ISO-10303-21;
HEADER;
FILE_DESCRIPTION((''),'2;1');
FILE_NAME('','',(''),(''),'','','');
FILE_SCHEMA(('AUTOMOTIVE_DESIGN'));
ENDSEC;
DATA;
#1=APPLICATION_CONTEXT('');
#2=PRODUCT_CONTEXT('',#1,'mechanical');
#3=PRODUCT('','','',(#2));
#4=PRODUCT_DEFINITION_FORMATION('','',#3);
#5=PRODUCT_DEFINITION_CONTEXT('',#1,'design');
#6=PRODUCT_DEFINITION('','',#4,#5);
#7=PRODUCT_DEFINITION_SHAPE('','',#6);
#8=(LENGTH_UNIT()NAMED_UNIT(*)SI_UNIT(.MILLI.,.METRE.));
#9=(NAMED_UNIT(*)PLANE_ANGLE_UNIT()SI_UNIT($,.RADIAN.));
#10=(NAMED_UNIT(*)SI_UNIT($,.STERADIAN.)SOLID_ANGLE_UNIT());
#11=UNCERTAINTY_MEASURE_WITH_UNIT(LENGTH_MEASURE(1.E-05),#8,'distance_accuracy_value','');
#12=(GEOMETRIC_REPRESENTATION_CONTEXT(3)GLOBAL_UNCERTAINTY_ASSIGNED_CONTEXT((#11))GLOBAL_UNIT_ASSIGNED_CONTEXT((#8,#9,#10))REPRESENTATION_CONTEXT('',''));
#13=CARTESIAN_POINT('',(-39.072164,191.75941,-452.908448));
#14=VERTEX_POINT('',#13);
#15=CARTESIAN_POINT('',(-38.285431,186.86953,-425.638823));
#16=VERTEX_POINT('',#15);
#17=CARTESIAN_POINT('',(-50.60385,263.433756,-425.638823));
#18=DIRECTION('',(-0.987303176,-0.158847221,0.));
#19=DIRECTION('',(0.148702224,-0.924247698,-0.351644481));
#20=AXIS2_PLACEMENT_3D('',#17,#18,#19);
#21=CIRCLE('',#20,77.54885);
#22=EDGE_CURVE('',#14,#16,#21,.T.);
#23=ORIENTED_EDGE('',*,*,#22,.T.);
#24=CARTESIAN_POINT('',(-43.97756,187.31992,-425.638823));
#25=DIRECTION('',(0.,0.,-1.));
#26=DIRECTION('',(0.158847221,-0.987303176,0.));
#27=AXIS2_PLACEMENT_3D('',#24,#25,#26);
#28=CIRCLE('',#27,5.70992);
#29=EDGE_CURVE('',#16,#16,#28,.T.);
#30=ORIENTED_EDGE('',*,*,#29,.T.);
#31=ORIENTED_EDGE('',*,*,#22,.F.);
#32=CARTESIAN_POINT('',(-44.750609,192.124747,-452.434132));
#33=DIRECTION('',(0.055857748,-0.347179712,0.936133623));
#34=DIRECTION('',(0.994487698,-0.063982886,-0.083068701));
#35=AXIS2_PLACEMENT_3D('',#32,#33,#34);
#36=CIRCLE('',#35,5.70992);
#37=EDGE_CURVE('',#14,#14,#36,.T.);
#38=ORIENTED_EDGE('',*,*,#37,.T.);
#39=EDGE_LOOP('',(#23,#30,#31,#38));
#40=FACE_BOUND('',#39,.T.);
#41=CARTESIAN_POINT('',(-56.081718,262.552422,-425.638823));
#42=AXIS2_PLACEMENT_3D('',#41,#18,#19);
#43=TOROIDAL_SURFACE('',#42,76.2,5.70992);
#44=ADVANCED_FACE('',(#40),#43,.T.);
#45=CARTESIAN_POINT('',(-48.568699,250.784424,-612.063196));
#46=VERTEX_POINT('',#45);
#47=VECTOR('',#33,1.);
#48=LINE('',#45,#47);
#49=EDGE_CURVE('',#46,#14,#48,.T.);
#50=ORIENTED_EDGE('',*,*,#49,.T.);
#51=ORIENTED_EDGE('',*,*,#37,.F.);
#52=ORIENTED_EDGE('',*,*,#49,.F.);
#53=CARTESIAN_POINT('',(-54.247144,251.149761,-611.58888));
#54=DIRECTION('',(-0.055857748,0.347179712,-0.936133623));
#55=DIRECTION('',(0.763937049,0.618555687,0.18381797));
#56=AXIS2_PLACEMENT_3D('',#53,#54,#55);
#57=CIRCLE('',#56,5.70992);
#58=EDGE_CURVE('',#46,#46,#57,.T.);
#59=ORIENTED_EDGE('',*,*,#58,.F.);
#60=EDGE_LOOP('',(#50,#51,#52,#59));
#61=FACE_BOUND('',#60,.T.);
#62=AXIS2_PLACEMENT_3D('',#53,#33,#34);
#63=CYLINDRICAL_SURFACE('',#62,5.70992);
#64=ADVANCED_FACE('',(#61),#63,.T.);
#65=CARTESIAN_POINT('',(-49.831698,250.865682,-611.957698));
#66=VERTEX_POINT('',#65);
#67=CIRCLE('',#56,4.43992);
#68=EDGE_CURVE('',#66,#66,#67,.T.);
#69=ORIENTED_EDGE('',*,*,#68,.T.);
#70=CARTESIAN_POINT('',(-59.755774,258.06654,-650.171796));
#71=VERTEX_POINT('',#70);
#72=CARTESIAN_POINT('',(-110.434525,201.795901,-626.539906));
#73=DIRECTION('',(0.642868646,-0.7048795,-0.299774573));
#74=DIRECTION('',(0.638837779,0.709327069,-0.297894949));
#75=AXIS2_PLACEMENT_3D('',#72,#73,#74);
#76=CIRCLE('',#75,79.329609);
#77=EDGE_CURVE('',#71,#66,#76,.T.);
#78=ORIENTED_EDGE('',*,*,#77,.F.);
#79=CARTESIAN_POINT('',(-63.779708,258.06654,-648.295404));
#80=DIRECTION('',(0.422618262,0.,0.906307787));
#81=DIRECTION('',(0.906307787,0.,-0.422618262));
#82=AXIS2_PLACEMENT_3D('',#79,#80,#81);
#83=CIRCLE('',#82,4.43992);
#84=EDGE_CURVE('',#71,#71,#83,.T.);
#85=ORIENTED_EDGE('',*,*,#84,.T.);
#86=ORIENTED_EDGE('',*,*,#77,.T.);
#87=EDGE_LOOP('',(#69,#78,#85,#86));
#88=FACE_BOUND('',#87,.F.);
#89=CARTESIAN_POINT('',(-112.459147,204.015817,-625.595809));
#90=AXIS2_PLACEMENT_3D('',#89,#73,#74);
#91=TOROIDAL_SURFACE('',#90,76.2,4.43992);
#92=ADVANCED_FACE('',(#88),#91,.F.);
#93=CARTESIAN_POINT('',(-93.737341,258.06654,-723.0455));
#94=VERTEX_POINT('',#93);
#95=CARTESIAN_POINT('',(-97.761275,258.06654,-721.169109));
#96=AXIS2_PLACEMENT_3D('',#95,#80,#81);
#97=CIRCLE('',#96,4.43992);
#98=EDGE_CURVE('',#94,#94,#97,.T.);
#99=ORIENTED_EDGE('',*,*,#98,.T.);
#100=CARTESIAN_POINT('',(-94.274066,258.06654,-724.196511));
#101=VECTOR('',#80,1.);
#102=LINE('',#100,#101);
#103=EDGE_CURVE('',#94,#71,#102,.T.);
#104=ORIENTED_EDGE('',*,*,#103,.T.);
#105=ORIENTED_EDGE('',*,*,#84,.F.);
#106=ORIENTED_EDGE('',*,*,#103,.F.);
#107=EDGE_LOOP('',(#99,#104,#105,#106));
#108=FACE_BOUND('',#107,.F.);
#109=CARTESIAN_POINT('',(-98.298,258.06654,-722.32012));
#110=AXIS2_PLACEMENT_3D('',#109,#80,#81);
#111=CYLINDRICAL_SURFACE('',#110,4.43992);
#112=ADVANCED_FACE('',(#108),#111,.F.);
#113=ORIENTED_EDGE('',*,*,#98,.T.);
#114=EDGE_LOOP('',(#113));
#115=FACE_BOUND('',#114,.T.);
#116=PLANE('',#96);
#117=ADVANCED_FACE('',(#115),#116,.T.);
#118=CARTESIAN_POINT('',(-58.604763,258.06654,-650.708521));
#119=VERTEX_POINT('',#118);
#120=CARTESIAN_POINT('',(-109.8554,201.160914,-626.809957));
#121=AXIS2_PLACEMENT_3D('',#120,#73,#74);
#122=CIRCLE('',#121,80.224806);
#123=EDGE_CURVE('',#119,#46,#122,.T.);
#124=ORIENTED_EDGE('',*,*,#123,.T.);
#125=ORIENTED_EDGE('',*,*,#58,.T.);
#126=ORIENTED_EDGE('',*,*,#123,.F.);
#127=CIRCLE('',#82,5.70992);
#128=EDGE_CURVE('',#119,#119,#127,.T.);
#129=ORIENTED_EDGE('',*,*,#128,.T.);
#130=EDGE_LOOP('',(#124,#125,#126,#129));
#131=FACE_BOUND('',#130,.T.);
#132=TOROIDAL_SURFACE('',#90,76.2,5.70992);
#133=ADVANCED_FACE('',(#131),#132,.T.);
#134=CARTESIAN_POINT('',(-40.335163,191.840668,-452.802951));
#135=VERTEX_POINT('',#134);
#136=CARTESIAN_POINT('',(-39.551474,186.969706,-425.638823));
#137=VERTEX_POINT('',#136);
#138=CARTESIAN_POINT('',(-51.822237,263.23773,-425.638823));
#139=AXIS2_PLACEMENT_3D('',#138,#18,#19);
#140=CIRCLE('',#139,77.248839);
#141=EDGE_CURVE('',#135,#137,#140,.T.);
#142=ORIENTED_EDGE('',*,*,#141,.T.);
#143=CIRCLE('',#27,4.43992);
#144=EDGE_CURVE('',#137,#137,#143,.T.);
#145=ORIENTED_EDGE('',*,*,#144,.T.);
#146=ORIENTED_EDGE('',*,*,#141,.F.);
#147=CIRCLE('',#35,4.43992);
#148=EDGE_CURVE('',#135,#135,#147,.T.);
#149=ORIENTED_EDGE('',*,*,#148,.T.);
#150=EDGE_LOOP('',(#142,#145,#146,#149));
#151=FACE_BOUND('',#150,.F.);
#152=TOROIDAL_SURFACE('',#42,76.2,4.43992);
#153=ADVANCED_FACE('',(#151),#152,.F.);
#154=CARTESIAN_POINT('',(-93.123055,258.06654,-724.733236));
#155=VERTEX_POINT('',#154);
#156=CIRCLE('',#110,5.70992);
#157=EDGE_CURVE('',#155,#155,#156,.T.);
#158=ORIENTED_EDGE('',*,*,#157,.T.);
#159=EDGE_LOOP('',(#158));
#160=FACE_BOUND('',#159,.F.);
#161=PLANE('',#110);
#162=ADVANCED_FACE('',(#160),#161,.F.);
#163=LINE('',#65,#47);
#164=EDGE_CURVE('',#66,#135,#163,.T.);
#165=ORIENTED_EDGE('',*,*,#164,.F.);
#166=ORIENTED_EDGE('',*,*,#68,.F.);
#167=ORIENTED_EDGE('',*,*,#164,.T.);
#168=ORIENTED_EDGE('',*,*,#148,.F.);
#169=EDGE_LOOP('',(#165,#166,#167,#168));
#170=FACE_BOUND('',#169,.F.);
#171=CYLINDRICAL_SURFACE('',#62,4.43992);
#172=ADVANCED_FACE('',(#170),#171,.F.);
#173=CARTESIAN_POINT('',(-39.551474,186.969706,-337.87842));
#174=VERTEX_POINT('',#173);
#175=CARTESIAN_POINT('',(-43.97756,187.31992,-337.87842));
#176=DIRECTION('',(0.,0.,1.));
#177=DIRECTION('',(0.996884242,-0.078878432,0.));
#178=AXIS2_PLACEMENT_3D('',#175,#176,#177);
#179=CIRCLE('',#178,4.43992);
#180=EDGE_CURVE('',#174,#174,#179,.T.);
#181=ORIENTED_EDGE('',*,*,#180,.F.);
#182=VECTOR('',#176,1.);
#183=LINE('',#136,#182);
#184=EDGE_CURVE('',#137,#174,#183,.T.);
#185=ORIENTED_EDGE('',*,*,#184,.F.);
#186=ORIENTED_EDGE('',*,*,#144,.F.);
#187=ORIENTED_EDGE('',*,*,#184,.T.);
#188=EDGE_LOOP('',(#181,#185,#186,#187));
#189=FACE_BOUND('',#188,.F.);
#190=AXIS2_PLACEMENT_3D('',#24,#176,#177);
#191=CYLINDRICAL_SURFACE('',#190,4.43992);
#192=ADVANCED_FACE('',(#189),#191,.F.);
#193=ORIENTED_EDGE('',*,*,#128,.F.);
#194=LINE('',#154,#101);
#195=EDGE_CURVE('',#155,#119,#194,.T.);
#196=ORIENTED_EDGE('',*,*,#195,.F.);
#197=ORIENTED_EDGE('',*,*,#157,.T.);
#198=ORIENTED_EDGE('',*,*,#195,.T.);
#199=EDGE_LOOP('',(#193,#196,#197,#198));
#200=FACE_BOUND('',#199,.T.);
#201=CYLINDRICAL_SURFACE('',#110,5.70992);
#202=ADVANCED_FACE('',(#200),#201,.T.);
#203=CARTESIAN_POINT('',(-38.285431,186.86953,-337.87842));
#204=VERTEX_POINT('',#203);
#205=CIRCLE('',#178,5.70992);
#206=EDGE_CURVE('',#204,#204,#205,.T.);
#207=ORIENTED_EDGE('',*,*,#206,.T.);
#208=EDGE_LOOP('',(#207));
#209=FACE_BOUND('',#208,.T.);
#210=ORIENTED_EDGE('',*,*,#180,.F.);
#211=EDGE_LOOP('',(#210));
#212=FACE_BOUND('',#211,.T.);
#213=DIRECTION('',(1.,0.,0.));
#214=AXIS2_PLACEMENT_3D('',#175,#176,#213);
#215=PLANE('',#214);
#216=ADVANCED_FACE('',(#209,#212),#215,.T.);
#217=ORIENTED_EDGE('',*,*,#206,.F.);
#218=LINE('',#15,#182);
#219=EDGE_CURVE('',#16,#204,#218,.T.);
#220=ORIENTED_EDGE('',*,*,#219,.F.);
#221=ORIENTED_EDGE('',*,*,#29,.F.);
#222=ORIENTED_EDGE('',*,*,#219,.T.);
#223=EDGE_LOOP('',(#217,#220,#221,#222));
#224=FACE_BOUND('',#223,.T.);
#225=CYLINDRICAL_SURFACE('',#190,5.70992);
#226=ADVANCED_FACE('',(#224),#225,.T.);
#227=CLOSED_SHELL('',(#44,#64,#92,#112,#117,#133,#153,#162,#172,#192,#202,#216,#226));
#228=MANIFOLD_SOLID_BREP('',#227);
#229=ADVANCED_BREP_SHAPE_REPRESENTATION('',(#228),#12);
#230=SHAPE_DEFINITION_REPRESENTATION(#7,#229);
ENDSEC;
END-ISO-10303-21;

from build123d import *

# Parameters (mm, degrees)
F9_R  = 5.70992
F19_T = -1.27


with BuildPart() as f18:
    # F18: sweep along a path in F17, F15
    with BuildLine(Plane(origin=(-18.3637423375, 20.1351016009, 8.5631536843), x_dir=(0.765976438, 0.5915912125, 0.2515947807), z_dir=(0.6428686463, -0.7048794996, -0.299774573))) as f18_path:
        Line((-104.3560267614, -765.7029674468), (-59.2915965599, -697.5827201055))
        ThreePointArc((-59.2915965599, -697.5827201055), (-50.7236976702, -680.1398940101), (-46.8466127419, -661.0970663304))
        Line((-46.8466127419, -661.0970663304), (-34.4486658994, -491.5368674011))
    with BuildLine(Plane(origin=(-13.4904473735, -2.1704782525, 0), x_dir=(0.1588472207, -0.9873031756, 0), z_dir=(-0.9873031756, -0.1588472207, 0))) as f18_path_2:
        ThreePointArc((-196.793883, -452.4341322386), (-193.1537906934, -439.2556559455), (-191.9272650412, -425.638822825))
        Line((-191.9272650412, -425.638822825), (-191.9272650412, -337.87842))
    # F9 (on line) → F18 (sweep)
    with BuildSketch(Plane(origin=(-294.221288811, 0, -630.9595900165), x_dir=(0.906307787, 0, -0.4226182617), z_dir=(0.4226182617, 0, 0.906307787))):
        with Locations((216.1774306846, 258.06654)):
            Circle(F9_R)
    sweep(path=f18_path.line + f18_path_2.line)

    # F19
    f19_openings = [f18.faces().sort_by_distance(p)[0] for p in [
        (-43.97756, 187.31992, -337.87842),
    ]]
    offset(amount=F19_T, openings=f19_openings)


solid = f18.part
